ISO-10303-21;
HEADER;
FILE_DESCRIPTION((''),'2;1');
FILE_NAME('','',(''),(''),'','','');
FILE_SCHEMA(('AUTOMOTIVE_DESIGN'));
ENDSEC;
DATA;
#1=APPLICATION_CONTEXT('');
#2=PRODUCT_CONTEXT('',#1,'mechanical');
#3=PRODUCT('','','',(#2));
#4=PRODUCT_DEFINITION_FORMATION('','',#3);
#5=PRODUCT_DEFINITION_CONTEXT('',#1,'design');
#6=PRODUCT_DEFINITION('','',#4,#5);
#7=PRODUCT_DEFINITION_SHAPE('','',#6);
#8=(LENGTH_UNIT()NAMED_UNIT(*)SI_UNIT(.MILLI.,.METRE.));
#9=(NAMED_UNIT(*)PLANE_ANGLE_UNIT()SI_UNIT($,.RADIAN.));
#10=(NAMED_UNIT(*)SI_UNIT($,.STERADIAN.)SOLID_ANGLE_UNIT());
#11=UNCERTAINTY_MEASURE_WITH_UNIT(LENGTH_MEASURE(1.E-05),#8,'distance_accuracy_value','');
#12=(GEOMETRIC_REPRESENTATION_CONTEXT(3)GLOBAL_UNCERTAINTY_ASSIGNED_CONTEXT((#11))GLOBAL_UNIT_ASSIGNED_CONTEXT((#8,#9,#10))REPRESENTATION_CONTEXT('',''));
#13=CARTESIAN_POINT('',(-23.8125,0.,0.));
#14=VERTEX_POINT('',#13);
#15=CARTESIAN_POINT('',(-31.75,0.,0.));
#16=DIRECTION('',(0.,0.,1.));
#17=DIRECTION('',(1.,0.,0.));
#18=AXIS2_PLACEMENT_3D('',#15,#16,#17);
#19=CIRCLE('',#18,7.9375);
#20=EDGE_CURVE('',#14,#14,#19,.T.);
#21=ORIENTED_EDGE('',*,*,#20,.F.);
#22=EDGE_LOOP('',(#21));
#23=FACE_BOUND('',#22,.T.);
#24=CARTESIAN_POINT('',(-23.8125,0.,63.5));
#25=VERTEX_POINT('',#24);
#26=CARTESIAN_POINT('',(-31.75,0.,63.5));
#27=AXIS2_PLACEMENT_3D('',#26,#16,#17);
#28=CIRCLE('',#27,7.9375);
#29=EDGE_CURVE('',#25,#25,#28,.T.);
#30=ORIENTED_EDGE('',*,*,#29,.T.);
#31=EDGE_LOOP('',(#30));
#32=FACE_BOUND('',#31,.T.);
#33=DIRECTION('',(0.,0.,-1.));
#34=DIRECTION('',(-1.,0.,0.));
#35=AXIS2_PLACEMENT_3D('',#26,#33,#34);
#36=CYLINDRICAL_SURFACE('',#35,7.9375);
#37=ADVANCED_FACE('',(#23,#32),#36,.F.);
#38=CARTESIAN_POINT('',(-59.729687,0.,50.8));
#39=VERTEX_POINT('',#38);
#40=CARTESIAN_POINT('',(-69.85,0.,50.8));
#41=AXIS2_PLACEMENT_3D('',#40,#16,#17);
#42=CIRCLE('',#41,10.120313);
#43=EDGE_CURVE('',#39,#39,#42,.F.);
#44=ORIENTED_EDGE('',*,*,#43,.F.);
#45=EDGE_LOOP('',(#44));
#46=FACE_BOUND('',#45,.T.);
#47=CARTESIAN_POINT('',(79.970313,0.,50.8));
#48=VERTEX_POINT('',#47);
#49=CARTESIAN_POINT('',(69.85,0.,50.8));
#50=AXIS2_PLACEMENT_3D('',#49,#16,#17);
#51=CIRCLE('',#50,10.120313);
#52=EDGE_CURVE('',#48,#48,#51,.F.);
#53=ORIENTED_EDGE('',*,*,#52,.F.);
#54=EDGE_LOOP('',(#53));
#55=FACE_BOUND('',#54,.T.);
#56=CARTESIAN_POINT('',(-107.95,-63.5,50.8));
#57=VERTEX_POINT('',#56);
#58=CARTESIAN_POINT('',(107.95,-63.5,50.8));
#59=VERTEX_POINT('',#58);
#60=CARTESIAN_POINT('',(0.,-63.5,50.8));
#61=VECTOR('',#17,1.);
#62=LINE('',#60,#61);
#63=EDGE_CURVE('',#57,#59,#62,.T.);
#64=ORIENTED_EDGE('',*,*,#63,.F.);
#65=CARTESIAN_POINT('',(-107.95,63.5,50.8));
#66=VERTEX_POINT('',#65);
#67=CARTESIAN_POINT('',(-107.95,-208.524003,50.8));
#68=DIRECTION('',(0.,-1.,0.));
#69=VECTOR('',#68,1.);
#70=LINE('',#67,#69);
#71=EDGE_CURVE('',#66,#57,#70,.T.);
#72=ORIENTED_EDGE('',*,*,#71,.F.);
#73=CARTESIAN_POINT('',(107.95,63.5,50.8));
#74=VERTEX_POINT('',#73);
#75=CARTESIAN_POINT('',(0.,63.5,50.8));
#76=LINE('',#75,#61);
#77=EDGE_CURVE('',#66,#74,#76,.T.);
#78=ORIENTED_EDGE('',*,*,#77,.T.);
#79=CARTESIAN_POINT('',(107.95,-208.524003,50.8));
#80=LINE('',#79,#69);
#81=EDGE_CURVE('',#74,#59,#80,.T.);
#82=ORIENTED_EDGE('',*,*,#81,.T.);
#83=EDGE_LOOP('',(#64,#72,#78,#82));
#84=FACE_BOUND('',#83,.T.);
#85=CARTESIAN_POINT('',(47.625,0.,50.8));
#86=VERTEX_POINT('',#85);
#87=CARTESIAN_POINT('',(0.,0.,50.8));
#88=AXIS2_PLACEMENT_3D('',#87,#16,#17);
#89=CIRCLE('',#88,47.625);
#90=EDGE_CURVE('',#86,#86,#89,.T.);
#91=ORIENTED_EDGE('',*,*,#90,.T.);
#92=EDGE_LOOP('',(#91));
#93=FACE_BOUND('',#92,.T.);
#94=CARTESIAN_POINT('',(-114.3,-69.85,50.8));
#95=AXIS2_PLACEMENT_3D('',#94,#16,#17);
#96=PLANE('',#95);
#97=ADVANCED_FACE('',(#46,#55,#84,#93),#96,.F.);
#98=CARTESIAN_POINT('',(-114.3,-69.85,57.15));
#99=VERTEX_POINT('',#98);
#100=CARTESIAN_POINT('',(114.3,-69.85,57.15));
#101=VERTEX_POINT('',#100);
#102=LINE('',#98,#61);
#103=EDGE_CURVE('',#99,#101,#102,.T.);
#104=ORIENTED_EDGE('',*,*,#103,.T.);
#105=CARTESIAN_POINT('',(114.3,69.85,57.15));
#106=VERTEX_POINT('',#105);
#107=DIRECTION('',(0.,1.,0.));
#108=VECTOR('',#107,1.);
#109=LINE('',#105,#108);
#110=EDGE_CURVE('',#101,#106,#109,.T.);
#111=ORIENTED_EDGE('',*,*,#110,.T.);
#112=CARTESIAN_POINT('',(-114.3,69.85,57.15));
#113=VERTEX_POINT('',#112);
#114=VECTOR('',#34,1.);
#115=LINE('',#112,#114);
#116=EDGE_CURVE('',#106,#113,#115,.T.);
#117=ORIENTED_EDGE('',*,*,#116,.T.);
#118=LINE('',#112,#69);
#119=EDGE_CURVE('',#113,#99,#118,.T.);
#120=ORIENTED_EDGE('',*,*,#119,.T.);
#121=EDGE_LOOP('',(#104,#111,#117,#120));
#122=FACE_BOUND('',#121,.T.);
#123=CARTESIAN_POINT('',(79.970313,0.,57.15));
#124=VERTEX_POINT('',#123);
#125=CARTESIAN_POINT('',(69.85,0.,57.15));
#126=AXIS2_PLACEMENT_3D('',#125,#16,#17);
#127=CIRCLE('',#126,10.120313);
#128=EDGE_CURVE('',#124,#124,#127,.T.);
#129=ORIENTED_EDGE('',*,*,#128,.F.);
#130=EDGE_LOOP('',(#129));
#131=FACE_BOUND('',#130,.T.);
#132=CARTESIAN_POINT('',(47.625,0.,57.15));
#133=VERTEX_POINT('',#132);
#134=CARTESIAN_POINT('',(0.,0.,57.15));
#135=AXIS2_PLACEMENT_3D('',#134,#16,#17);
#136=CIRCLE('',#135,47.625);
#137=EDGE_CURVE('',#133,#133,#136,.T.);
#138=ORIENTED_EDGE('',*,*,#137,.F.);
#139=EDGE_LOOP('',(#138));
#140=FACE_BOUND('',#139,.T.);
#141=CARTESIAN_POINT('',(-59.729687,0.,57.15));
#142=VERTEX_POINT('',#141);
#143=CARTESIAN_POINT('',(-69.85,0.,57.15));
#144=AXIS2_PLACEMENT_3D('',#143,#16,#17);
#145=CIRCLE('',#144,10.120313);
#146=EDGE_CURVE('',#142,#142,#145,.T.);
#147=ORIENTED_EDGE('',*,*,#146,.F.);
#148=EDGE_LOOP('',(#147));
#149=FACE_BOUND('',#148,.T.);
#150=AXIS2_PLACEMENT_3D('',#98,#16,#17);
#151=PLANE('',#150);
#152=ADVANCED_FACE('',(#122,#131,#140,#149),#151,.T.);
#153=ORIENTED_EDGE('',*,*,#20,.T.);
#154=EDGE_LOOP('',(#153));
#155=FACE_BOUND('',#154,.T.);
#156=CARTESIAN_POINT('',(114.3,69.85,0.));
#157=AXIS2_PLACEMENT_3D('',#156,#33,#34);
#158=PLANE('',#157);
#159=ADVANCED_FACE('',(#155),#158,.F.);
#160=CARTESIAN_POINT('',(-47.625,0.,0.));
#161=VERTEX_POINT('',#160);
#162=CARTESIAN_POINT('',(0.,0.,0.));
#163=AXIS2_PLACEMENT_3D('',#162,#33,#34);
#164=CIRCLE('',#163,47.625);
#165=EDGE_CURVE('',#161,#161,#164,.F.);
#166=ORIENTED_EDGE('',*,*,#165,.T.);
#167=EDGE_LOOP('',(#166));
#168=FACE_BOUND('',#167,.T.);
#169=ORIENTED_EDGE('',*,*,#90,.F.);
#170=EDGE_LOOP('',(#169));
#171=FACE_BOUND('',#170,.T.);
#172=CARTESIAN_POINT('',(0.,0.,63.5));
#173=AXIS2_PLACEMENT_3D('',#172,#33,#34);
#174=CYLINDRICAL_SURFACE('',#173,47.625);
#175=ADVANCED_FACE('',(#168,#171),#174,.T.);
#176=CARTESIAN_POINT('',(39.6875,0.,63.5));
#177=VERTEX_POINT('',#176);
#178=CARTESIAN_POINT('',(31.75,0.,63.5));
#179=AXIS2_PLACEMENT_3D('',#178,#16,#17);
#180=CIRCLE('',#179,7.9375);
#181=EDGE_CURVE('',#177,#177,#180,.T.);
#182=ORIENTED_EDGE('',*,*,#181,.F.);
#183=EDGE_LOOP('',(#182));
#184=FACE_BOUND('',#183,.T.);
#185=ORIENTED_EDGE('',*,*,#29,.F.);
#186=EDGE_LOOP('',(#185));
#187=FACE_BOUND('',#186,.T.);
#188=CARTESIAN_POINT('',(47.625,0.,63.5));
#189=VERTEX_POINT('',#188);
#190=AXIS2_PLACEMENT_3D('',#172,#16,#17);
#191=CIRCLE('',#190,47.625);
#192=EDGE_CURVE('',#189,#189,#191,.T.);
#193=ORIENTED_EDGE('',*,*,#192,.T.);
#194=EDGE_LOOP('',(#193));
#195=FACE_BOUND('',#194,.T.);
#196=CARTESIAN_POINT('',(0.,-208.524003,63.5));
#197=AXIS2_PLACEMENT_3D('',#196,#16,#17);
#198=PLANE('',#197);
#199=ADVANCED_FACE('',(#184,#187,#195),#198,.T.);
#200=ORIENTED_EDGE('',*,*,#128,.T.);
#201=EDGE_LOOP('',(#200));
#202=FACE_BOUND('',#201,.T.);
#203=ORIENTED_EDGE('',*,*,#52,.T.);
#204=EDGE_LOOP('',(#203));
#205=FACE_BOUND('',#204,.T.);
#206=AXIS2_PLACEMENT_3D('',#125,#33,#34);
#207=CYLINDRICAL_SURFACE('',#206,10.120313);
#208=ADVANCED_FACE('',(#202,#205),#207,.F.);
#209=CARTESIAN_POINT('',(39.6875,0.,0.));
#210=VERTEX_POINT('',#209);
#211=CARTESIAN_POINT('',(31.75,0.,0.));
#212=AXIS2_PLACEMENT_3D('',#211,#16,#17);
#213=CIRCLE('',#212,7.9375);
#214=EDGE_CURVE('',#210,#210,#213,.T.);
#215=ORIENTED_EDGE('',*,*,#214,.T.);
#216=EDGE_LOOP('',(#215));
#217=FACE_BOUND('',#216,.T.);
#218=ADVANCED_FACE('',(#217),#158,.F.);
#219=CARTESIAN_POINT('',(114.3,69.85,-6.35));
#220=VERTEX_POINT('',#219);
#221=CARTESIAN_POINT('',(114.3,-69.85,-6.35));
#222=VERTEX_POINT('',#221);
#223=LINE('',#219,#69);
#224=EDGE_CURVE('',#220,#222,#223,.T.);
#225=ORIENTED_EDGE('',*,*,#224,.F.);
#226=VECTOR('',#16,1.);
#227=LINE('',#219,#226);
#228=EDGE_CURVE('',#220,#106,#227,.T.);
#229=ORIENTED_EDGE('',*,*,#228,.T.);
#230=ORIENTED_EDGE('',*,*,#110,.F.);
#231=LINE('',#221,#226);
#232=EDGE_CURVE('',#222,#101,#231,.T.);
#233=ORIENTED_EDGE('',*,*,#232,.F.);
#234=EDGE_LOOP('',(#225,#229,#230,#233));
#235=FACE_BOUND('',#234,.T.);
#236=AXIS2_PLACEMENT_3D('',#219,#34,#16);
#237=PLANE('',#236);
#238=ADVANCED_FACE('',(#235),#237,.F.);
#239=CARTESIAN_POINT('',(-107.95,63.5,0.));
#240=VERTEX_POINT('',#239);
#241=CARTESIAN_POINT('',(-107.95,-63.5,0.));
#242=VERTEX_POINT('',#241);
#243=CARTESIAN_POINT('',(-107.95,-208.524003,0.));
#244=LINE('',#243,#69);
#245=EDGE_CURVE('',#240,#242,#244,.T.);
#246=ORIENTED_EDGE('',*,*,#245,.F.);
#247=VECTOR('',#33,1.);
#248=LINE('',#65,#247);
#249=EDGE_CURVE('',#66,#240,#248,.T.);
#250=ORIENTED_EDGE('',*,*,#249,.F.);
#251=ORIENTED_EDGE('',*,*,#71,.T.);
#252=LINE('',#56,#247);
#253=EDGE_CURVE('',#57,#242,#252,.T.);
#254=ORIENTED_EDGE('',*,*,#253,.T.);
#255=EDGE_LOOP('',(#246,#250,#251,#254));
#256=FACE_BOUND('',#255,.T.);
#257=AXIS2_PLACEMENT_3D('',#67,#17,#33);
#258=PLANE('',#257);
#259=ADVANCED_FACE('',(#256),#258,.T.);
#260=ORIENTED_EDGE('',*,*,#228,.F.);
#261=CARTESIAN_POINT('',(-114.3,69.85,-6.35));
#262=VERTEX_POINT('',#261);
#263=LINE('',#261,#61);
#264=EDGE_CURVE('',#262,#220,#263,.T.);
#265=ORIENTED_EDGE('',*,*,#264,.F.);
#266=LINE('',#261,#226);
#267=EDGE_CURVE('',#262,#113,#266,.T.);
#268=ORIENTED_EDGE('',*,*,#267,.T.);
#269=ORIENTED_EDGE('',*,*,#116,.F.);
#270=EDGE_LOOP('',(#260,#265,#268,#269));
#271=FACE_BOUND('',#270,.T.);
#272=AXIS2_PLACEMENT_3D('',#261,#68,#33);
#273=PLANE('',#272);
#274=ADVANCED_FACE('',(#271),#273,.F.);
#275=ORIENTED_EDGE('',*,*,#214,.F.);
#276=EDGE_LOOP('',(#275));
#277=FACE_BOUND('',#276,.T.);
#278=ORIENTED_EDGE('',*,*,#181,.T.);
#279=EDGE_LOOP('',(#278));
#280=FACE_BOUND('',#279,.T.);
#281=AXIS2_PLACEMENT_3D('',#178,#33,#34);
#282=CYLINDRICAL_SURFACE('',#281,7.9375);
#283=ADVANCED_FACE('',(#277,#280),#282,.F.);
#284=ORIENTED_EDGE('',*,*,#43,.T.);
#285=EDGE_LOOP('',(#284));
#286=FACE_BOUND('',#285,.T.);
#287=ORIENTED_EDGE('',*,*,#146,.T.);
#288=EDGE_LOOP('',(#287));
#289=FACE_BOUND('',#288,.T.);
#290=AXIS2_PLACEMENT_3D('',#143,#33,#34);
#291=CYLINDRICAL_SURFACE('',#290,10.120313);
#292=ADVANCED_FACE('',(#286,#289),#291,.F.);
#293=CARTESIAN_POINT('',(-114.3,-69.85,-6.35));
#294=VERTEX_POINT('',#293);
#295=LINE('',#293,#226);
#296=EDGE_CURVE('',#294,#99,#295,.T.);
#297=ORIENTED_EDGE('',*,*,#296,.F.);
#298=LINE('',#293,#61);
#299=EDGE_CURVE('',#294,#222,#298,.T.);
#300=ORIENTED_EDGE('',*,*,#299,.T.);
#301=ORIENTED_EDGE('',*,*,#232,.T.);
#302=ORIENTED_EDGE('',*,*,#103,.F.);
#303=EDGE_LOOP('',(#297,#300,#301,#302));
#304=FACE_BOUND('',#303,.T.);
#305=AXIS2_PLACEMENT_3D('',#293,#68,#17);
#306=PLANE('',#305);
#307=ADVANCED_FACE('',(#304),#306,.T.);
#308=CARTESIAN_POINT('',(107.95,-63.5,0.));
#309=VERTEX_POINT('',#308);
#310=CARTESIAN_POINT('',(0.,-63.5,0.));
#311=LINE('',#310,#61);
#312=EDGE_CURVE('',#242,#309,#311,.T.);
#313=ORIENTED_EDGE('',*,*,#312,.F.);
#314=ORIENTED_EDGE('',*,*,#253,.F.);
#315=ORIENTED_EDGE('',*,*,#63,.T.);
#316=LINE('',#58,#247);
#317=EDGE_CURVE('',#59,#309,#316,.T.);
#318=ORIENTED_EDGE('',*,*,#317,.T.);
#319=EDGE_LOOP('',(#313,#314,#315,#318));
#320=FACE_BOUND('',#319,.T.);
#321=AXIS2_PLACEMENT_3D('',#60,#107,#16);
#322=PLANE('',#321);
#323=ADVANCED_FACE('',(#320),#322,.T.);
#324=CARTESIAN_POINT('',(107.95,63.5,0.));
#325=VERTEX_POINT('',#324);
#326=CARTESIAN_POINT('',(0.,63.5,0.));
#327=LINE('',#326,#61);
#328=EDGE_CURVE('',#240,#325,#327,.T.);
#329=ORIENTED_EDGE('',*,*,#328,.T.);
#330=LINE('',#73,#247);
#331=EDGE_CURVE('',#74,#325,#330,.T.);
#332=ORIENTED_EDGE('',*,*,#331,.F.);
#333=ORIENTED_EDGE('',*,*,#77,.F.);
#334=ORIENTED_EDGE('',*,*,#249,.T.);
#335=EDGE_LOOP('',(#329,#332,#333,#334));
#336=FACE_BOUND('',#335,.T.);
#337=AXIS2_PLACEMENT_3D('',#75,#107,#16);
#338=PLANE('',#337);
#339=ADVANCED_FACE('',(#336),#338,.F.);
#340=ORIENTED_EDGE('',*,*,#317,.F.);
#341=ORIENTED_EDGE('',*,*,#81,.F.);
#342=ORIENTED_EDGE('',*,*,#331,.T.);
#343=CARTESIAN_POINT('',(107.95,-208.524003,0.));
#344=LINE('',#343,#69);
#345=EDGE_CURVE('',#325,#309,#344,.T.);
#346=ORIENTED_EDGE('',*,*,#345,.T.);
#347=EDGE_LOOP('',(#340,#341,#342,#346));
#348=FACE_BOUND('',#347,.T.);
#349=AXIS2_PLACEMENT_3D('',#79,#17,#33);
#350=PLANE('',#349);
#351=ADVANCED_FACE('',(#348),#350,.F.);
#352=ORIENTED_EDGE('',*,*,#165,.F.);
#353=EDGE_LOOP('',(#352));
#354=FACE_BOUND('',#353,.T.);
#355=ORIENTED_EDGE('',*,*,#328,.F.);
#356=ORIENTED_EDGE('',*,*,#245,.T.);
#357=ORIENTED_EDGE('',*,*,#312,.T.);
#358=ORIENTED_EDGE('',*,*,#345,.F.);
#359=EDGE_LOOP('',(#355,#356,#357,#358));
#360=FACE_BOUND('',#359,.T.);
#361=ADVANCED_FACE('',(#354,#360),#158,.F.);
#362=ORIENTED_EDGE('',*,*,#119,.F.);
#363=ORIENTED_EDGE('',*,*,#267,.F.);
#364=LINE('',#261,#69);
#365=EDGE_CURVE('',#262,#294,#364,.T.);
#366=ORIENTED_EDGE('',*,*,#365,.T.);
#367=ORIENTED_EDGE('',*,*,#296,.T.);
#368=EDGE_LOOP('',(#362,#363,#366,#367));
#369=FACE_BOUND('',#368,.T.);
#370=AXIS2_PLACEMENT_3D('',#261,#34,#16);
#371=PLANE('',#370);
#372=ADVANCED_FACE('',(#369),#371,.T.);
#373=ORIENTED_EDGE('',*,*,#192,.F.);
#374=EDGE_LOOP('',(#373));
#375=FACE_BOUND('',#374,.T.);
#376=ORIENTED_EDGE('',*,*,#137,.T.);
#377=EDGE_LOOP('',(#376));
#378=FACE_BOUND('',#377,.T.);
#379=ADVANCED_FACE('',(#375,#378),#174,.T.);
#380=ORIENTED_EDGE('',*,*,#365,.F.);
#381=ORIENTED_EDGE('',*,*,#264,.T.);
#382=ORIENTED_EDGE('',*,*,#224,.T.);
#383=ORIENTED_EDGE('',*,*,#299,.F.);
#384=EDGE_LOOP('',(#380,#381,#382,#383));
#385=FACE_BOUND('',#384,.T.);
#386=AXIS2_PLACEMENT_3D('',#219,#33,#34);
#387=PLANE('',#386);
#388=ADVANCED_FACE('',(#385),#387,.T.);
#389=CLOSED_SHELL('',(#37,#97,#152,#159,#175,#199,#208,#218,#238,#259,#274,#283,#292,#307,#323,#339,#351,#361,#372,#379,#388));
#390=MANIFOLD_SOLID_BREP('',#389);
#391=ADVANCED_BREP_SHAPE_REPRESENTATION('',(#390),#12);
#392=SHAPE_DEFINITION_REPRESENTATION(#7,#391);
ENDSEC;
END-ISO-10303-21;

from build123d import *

# Parameters (mm, degrees)
SKETCH1_W          = 228.6
SKETCH1_H          = 139.7
EXTRUDE1_DEPTH     = 6.35
SKETCH1_3_W        = 228.6
SKETCH1_3_H        = 139.7
SKETCH1_3_W_2      = 215.9
SKETCH1_3_H_2      = 127
EXTRUDE2_DEPTH     = 50.8
SKETCH1_6_R        = 47.625
SKETCH1_6_R_2      = 7.9375
EXTRUDE4_DEPTH     = 63.5
SKETCH16_W         = 228.6
SKETCH16_H         = 139.7
EXTRUDE3_DEPTH     = 6.35
SKETCH1_5_R        = 10.1203125
SKETCH1_5_R_2      = 7.9375
CUT_EXTRUDE2_DEPTH = 57.15


with BuildPart() as part:
    # Sketch1 → Extrude1 (new body)
    with BuildSketch(Plane.XY):
        Rectangle(SKETCH1_W, SKETCH1_H)
    extrude(amount=-EXTRUDE1_DEPTH)

    # Sketch1_3 → Extrude2 (add)
    with BuildSketch(Plane.XY):
        Rectangle(SKETCH1_3_W, SKETCH1_3_H)
        Rectangle(SKETCH1_3_W_2, SKETCH1_3_H_2, mode=Mode.SUBTRACT)
    extrude(amount=EXTRUDE2_DEPTH)

    # Sketch1_6 → Extrude4 (add)
    with BuildSketch(Plane.XY):
        with Locations(Location((0, 0, 0), (0, 0, 180))):
            Circle(SKETCH1_6_R)
        with Locations((-31.75, 0)):
            Circle(SKETCH1_6_R_2, mode=Mode.SUBTRACT)
        with Locations((31.75, 0)):
            Circle(SKETCH1_6_R_2, mode=Mode.SUBTRACT)
    extrude(amount=EXTRUDE4_DEPTH)

    # Sketch16 → Extrude3 (add)
    with BuildSketch(Plane.XY.offset(50.8)):
        Rectangle(SKETCH16_W, SKETCH16_H)
    extrude(amount=EXTRUDE3_DEPTH)

    # Sketch1_5 → Cut-Extrude2 (cut)
    with BuildSketch(Plane.XY):
        with Locations((-69.85, 0)):
            Circle(SKETCH1_5_R)
        with Locations((-31.75, 0)):
            Circle(SKETCH1_5_R_2)
        with Locations((69.85, 0)):
            Circle(SKETCH1_5_R)
        with Locations((31.75, 0)):
            Circle(SKETCH1_5_R_2)
    extrude(amount=CUT_EXTRUDE2_DEPTH, mode=Mode.SUBTRACT)


solid = part.part
